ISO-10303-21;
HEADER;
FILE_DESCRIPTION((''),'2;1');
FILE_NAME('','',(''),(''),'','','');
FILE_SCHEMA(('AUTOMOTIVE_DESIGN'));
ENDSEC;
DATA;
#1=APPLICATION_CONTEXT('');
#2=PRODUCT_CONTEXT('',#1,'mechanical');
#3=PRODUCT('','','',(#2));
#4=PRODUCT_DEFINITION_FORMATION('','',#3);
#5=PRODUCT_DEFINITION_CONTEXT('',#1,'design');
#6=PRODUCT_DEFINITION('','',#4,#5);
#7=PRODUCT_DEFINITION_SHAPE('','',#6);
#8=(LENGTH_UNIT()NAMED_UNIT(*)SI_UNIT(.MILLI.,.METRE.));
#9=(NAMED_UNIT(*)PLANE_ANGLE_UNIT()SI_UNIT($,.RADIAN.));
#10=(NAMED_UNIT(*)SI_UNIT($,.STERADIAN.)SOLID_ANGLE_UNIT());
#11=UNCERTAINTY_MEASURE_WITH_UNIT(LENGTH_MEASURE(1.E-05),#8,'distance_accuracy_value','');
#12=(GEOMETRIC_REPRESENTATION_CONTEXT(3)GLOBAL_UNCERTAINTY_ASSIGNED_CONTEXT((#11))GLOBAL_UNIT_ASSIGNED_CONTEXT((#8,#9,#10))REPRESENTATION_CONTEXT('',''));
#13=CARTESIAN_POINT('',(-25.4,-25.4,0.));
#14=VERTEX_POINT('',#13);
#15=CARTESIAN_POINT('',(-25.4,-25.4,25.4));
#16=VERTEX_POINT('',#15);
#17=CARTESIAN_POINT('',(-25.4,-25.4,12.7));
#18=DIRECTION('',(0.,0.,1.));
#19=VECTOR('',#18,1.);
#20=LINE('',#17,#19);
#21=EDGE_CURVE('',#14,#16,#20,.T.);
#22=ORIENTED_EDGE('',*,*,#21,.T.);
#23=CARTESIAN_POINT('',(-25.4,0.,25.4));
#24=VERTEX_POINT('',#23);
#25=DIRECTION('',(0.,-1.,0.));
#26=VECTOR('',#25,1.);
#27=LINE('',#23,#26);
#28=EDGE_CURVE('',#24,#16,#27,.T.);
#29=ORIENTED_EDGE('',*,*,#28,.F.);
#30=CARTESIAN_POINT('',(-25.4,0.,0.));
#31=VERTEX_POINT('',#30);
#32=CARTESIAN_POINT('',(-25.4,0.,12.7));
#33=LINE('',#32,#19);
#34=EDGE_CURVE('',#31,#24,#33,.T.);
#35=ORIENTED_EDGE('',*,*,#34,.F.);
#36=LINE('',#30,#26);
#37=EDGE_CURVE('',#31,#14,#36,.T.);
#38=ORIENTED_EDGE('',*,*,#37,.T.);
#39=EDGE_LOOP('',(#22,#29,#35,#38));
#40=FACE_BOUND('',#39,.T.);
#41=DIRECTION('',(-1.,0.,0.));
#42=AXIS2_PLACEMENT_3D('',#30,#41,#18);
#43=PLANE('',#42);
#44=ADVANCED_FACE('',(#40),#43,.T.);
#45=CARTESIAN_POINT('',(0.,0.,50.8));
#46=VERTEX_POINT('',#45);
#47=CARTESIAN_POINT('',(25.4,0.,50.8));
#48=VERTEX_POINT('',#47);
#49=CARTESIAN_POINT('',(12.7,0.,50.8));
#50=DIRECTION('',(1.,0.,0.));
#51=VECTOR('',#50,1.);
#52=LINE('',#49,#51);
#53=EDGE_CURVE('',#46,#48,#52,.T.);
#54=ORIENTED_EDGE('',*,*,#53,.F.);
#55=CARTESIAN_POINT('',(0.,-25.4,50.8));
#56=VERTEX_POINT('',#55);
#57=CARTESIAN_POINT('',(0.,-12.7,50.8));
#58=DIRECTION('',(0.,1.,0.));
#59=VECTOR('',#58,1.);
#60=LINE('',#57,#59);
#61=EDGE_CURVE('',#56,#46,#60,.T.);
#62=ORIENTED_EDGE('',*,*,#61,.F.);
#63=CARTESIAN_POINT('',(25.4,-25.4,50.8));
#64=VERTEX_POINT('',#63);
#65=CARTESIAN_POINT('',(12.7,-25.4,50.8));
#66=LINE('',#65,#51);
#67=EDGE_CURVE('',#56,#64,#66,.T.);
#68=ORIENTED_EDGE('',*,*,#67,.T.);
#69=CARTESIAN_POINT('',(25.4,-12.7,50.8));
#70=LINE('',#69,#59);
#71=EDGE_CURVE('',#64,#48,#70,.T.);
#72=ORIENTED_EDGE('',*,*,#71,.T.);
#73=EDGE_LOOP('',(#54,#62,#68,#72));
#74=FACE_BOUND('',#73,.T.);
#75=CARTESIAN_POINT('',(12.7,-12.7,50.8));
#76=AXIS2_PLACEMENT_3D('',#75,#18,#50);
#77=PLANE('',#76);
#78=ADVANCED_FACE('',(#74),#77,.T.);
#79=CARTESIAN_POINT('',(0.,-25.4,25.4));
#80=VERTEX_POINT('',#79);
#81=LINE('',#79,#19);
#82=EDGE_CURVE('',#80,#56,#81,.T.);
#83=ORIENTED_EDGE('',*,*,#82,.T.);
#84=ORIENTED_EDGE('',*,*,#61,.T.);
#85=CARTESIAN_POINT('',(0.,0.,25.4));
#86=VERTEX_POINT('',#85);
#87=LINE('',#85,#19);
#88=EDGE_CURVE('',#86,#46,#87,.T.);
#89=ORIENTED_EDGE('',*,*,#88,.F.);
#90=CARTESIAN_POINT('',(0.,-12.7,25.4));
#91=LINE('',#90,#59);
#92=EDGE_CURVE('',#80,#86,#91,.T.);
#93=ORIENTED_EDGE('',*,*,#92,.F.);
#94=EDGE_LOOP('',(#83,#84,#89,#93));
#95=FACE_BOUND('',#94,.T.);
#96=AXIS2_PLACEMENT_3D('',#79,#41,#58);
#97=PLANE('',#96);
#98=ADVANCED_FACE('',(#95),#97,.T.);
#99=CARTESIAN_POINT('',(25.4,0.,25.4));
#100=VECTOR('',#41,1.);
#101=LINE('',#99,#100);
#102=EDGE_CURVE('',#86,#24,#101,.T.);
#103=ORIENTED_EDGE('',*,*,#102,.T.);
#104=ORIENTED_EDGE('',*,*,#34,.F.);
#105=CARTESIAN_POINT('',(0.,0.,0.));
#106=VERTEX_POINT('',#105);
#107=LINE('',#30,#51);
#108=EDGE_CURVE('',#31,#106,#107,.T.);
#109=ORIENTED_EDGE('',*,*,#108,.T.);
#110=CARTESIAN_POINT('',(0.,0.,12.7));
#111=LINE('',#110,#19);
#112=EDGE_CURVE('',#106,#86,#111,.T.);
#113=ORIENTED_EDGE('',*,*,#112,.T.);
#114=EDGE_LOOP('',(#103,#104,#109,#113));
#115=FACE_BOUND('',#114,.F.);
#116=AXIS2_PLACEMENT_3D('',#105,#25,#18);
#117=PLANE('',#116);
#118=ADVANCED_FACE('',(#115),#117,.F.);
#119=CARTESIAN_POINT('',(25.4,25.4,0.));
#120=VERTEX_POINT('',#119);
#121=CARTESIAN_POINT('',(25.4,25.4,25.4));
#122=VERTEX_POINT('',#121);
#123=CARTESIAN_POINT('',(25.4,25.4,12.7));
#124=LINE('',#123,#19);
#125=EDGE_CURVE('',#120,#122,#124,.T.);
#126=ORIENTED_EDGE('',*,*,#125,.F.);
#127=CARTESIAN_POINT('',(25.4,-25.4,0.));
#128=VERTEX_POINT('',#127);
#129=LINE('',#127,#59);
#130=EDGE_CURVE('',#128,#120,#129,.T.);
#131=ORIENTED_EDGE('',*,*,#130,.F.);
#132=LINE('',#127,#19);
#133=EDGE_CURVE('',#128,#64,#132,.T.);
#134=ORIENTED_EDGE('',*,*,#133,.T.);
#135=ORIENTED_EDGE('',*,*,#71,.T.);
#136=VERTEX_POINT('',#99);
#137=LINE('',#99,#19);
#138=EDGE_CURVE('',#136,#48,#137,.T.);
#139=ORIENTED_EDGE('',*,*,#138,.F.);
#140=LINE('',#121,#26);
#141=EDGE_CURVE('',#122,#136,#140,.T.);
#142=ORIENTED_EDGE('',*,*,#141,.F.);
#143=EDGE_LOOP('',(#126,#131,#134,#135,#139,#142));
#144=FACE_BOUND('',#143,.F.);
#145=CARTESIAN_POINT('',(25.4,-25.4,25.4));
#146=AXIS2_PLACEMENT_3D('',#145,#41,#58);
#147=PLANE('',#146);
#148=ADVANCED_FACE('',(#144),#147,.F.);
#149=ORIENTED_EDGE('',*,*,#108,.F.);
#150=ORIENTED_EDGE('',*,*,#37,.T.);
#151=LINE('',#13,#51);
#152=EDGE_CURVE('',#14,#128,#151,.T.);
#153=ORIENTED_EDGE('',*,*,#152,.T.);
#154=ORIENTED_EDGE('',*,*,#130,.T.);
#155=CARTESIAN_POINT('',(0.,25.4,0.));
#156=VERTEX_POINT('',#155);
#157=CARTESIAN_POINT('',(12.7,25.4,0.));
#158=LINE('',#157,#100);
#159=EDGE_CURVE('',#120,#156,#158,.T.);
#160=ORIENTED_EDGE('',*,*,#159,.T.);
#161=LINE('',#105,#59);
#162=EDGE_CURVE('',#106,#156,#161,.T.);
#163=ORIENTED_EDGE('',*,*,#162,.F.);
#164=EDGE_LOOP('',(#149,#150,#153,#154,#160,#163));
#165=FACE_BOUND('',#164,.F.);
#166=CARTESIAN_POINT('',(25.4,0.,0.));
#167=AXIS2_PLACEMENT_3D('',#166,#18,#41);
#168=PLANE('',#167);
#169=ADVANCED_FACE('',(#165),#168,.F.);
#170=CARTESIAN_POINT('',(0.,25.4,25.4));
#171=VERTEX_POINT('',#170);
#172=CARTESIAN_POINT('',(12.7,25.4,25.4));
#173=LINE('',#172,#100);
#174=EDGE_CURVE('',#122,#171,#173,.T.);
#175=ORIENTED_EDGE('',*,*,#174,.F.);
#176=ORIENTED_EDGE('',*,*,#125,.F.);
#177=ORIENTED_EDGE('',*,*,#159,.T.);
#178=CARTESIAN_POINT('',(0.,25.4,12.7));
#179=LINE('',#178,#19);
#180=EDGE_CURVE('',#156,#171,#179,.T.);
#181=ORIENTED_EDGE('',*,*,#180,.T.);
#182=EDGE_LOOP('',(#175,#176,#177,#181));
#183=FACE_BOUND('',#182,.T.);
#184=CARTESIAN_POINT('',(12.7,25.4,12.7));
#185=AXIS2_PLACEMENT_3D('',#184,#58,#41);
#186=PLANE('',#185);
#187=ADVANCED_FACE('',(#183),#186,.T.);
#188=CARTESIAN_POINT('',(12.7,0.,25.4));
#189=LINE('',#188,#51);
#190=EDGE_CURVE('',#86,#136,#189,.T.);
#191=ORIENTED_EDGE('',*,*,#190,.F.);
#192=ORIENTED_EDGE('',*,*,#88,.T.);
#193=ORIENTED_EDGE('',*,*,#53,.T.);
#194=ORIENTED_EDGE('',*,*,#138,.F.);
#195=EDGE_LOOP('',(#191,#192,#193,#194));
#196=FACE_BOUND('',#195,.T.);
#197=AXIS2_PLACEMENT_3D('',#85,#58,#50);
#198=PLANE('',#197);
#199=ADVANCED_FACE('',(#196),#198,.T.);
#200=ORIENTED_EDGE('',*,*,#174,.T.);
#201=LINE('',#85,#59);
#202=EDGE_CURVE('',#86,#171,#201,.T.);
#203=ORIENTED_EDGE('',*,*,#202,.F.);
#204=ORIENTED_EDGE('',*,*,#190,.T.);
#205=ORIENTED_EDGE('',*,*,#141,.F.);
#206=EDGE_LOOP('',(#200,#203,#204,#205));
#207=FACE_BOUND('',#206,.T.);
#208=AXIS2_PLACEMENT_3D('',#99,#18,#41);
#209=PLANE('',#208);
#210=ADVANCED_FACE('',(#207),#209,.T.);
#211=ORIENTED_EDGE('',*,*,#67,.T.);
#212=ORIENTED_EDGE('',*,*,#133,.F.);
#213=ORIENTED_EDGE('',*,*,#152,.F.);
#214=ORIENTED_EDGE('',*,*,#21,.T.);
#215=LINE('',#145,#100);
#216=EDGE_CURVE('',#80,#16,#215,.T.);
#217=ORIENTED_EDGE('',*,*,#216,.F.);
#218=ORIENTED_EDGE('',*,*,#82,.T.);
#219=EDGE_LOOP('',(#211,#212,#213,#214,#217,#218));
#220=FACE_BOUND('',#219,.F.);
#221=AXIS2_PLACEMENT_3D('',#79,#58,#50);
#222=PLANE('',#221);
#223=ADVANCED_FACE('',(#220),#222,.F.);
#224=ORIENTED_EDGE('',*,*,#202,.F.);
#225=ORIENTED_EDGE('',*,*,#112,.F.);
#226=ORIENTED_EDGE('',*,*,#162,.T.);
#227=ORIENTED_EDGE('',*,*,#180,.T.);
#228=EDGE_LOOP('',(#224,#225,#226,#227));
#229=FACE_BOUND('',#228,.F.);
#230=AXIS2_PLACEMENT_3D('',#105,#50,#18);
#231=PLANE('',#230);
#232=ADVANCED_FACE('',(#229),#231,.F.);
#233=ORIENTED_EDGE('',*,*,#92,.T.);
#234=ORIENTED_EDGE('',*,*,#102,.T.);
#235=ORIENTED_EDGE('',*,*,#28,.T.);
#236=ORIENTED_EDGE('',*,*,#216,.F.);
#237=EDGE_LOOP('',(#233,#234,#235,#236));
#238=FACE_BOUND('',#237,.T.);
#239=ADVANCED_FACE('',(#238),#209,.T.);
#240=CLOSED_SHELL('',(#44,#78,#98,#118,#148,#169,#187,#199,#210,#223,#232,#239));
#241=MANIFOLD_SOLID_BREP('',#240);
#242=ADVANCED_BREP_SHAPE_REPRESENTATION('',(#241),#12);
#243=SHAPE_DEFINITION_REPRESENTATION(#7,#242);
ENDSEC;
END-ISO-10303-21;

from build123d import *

# Parameters (mm, degrees)
F0_W     = 25.4
F0_H     = 25.4
F1_DEPTH = 25.4
F2_W     = 25.4
F2_H     = 25.4
F3_DEPTH = 25.4
F4_W     = 25.4
F4_H     = 25.4
F5_DEPTH = 25.4
F6_W     = 25.4
F6_H     = 25.4
F7_DEPTH = 25.4


with BuildPart() as f1:
    # F0 (on Front) → F1 (new body)
    with BuildSketch(Plane.XZ):
        with Locations((-12.7, 12.7)):
            Rectangle(F0_W, F0_H)
    extrude(amount=F1_DEPTH)

    # F2 (on face) → F3 (join)
    with BuildSketch(Plane.YZ):
        with Locations((-12.7, 12.7)):
            Rectangle(F2_W, F2_H)
    extrude(amount=F3_DEPTH)

    # F4 (on face) → F5 (join)
    with BuildSketch(Plane(origin=(0, 0, 0), x_dir=(-1, 0, 0), z_dir=(0, 1, 0))):
        with Locations((-12.7, 12.7)):
            Rectangle(F4_W, F4_H)
    extrude(amount=F5_DEPTH)

    # F6 (on face) → F7 (join)
    with BuildSketch(Plane.XY.offset(25.4)):
        with Locations((12.7, -12.7)):
            Rectangle(F6_W, F6_H)
    extrude(amount=F7_DEPTH)


solid = f1.part
